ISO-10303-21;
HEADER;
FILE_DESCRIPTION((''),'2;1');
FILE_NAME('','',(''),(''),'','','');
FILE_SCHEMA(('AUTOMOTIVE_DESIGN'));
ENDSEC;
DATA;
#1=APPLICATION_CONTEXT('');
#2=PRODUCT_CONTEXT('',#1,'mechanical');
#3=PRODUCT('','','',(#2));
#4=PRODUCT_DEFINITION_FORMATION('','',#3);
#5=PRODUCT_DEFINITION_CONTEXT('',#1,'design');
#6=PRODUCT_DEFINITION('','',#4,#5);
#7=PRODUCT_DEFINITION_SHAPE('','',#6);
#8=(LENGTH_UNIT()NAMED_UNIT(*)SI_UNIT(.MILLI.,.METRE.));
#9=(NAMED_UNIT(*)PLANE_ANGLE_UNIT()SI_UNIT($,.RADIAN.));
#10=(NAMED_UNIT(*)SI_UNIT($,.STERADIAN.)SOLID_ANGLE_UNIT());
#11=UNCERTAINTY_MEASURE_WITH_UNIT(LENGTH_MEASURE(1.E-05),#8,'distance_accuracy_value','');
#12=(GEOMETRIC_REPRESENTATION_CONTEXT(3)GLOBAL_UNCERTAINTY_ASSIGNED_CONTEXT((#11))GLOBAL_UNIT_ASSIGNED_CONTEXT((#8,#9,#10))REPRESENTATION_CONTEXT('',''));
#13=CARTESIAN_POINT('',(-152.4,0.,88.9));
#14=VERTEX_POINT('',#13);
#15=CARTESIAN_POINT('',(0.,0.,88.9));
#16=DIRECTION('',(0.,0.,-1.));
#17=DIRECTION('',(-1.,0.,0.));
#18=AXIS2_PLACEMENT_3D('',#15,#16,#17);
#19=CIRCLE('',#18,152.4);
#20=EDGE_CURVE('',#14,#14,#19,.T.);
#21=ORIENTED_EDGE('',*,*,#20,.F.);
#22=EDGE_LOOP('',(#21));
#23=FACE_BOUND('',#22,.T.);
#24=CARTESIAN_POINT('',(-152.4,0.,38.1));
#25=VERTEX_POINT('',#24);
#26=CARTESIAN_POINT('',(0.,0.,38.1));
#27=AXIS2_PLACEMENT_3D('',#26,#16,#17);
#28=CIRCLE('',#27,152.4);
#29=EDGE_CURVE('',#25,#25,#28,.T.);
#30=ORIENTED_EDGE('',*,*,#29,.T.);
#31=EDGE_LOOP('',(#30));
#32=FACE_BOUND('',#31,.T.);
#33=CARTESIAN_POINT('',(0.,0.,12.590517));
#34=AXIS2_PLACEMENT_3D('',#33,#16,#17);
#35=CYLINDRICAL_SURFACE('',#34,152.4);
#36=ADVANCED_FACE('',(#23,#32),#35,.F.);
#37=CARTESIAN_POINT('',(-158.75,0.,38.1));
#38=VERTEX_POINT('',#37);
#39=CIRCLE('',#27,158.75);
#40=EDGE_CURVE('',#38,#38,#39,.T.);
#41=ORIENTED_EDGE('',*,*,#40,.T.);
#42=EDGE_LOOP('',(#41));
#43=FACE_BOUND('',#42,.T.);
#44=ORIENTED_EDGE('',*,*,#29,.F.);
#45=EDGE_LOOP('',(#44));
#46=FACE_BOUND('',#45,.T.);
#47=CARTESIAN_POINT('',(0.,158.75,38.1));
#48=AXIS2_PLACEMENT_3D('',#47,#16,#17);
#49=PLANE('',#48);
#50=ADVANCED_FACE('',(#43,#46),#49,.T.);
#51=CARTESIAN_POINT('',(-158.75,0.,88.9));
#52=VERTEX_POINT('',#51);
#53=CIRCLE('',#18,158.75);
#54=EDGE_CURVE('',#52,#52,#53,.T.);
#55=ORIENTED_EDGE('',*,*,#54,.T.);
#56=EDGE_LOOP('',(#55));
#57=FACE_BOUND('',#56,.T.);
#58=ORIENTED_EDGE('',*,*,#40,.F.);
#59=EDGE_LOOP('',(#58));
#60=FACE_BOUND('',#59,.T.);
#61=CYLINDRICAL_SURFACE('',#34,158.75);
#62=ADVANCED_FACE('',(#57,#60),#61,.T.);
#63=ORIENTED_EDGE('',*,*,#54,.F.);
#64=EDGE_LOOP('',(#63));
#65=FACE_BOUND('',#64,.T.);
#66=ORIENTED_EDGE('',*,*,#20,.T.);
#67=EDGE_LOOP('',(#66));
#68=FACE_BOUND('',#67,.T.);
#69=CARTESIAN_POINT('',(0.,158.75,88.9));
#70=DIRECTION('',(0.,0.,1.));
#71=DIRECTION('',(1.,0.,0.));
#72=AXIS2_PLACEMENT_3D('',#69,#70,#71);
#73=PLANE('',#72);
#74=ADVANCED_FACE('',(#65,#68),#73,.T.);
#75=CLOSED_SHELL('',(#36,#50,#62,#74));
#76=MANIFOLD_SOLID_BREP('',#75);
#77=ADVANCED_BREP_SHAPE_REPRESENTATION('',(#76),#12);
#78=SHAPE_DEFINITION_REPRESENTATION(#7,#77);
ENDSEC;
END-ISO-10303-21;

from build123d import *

# Parameters (mm, degrees)
SKETCH1_W = 50.8
SKETCH1_H = 6.35


with BuildPart() as part:
    # Sketch1 → Revolve1 (revolve)
    with BuildSketch(Plane(origin=(0, 0, 0), x_dir=(0, 0, -1), z_dir=(1, 0, 0)), mode=Mode.PRIVATE) as revolve1_sk:
        with Locations((-63.5, 155.575)):
            Rectangle(SKETCH1_W, SKETCH1_H)
    revolve(revolve1_sk.sketch.rotate(Axis((0, 0, 12.590517241), (0, 0, 1)), 90), axis=Axis((0, 0, 12.590517241), (0, 0, 1)))


solid = part.part
